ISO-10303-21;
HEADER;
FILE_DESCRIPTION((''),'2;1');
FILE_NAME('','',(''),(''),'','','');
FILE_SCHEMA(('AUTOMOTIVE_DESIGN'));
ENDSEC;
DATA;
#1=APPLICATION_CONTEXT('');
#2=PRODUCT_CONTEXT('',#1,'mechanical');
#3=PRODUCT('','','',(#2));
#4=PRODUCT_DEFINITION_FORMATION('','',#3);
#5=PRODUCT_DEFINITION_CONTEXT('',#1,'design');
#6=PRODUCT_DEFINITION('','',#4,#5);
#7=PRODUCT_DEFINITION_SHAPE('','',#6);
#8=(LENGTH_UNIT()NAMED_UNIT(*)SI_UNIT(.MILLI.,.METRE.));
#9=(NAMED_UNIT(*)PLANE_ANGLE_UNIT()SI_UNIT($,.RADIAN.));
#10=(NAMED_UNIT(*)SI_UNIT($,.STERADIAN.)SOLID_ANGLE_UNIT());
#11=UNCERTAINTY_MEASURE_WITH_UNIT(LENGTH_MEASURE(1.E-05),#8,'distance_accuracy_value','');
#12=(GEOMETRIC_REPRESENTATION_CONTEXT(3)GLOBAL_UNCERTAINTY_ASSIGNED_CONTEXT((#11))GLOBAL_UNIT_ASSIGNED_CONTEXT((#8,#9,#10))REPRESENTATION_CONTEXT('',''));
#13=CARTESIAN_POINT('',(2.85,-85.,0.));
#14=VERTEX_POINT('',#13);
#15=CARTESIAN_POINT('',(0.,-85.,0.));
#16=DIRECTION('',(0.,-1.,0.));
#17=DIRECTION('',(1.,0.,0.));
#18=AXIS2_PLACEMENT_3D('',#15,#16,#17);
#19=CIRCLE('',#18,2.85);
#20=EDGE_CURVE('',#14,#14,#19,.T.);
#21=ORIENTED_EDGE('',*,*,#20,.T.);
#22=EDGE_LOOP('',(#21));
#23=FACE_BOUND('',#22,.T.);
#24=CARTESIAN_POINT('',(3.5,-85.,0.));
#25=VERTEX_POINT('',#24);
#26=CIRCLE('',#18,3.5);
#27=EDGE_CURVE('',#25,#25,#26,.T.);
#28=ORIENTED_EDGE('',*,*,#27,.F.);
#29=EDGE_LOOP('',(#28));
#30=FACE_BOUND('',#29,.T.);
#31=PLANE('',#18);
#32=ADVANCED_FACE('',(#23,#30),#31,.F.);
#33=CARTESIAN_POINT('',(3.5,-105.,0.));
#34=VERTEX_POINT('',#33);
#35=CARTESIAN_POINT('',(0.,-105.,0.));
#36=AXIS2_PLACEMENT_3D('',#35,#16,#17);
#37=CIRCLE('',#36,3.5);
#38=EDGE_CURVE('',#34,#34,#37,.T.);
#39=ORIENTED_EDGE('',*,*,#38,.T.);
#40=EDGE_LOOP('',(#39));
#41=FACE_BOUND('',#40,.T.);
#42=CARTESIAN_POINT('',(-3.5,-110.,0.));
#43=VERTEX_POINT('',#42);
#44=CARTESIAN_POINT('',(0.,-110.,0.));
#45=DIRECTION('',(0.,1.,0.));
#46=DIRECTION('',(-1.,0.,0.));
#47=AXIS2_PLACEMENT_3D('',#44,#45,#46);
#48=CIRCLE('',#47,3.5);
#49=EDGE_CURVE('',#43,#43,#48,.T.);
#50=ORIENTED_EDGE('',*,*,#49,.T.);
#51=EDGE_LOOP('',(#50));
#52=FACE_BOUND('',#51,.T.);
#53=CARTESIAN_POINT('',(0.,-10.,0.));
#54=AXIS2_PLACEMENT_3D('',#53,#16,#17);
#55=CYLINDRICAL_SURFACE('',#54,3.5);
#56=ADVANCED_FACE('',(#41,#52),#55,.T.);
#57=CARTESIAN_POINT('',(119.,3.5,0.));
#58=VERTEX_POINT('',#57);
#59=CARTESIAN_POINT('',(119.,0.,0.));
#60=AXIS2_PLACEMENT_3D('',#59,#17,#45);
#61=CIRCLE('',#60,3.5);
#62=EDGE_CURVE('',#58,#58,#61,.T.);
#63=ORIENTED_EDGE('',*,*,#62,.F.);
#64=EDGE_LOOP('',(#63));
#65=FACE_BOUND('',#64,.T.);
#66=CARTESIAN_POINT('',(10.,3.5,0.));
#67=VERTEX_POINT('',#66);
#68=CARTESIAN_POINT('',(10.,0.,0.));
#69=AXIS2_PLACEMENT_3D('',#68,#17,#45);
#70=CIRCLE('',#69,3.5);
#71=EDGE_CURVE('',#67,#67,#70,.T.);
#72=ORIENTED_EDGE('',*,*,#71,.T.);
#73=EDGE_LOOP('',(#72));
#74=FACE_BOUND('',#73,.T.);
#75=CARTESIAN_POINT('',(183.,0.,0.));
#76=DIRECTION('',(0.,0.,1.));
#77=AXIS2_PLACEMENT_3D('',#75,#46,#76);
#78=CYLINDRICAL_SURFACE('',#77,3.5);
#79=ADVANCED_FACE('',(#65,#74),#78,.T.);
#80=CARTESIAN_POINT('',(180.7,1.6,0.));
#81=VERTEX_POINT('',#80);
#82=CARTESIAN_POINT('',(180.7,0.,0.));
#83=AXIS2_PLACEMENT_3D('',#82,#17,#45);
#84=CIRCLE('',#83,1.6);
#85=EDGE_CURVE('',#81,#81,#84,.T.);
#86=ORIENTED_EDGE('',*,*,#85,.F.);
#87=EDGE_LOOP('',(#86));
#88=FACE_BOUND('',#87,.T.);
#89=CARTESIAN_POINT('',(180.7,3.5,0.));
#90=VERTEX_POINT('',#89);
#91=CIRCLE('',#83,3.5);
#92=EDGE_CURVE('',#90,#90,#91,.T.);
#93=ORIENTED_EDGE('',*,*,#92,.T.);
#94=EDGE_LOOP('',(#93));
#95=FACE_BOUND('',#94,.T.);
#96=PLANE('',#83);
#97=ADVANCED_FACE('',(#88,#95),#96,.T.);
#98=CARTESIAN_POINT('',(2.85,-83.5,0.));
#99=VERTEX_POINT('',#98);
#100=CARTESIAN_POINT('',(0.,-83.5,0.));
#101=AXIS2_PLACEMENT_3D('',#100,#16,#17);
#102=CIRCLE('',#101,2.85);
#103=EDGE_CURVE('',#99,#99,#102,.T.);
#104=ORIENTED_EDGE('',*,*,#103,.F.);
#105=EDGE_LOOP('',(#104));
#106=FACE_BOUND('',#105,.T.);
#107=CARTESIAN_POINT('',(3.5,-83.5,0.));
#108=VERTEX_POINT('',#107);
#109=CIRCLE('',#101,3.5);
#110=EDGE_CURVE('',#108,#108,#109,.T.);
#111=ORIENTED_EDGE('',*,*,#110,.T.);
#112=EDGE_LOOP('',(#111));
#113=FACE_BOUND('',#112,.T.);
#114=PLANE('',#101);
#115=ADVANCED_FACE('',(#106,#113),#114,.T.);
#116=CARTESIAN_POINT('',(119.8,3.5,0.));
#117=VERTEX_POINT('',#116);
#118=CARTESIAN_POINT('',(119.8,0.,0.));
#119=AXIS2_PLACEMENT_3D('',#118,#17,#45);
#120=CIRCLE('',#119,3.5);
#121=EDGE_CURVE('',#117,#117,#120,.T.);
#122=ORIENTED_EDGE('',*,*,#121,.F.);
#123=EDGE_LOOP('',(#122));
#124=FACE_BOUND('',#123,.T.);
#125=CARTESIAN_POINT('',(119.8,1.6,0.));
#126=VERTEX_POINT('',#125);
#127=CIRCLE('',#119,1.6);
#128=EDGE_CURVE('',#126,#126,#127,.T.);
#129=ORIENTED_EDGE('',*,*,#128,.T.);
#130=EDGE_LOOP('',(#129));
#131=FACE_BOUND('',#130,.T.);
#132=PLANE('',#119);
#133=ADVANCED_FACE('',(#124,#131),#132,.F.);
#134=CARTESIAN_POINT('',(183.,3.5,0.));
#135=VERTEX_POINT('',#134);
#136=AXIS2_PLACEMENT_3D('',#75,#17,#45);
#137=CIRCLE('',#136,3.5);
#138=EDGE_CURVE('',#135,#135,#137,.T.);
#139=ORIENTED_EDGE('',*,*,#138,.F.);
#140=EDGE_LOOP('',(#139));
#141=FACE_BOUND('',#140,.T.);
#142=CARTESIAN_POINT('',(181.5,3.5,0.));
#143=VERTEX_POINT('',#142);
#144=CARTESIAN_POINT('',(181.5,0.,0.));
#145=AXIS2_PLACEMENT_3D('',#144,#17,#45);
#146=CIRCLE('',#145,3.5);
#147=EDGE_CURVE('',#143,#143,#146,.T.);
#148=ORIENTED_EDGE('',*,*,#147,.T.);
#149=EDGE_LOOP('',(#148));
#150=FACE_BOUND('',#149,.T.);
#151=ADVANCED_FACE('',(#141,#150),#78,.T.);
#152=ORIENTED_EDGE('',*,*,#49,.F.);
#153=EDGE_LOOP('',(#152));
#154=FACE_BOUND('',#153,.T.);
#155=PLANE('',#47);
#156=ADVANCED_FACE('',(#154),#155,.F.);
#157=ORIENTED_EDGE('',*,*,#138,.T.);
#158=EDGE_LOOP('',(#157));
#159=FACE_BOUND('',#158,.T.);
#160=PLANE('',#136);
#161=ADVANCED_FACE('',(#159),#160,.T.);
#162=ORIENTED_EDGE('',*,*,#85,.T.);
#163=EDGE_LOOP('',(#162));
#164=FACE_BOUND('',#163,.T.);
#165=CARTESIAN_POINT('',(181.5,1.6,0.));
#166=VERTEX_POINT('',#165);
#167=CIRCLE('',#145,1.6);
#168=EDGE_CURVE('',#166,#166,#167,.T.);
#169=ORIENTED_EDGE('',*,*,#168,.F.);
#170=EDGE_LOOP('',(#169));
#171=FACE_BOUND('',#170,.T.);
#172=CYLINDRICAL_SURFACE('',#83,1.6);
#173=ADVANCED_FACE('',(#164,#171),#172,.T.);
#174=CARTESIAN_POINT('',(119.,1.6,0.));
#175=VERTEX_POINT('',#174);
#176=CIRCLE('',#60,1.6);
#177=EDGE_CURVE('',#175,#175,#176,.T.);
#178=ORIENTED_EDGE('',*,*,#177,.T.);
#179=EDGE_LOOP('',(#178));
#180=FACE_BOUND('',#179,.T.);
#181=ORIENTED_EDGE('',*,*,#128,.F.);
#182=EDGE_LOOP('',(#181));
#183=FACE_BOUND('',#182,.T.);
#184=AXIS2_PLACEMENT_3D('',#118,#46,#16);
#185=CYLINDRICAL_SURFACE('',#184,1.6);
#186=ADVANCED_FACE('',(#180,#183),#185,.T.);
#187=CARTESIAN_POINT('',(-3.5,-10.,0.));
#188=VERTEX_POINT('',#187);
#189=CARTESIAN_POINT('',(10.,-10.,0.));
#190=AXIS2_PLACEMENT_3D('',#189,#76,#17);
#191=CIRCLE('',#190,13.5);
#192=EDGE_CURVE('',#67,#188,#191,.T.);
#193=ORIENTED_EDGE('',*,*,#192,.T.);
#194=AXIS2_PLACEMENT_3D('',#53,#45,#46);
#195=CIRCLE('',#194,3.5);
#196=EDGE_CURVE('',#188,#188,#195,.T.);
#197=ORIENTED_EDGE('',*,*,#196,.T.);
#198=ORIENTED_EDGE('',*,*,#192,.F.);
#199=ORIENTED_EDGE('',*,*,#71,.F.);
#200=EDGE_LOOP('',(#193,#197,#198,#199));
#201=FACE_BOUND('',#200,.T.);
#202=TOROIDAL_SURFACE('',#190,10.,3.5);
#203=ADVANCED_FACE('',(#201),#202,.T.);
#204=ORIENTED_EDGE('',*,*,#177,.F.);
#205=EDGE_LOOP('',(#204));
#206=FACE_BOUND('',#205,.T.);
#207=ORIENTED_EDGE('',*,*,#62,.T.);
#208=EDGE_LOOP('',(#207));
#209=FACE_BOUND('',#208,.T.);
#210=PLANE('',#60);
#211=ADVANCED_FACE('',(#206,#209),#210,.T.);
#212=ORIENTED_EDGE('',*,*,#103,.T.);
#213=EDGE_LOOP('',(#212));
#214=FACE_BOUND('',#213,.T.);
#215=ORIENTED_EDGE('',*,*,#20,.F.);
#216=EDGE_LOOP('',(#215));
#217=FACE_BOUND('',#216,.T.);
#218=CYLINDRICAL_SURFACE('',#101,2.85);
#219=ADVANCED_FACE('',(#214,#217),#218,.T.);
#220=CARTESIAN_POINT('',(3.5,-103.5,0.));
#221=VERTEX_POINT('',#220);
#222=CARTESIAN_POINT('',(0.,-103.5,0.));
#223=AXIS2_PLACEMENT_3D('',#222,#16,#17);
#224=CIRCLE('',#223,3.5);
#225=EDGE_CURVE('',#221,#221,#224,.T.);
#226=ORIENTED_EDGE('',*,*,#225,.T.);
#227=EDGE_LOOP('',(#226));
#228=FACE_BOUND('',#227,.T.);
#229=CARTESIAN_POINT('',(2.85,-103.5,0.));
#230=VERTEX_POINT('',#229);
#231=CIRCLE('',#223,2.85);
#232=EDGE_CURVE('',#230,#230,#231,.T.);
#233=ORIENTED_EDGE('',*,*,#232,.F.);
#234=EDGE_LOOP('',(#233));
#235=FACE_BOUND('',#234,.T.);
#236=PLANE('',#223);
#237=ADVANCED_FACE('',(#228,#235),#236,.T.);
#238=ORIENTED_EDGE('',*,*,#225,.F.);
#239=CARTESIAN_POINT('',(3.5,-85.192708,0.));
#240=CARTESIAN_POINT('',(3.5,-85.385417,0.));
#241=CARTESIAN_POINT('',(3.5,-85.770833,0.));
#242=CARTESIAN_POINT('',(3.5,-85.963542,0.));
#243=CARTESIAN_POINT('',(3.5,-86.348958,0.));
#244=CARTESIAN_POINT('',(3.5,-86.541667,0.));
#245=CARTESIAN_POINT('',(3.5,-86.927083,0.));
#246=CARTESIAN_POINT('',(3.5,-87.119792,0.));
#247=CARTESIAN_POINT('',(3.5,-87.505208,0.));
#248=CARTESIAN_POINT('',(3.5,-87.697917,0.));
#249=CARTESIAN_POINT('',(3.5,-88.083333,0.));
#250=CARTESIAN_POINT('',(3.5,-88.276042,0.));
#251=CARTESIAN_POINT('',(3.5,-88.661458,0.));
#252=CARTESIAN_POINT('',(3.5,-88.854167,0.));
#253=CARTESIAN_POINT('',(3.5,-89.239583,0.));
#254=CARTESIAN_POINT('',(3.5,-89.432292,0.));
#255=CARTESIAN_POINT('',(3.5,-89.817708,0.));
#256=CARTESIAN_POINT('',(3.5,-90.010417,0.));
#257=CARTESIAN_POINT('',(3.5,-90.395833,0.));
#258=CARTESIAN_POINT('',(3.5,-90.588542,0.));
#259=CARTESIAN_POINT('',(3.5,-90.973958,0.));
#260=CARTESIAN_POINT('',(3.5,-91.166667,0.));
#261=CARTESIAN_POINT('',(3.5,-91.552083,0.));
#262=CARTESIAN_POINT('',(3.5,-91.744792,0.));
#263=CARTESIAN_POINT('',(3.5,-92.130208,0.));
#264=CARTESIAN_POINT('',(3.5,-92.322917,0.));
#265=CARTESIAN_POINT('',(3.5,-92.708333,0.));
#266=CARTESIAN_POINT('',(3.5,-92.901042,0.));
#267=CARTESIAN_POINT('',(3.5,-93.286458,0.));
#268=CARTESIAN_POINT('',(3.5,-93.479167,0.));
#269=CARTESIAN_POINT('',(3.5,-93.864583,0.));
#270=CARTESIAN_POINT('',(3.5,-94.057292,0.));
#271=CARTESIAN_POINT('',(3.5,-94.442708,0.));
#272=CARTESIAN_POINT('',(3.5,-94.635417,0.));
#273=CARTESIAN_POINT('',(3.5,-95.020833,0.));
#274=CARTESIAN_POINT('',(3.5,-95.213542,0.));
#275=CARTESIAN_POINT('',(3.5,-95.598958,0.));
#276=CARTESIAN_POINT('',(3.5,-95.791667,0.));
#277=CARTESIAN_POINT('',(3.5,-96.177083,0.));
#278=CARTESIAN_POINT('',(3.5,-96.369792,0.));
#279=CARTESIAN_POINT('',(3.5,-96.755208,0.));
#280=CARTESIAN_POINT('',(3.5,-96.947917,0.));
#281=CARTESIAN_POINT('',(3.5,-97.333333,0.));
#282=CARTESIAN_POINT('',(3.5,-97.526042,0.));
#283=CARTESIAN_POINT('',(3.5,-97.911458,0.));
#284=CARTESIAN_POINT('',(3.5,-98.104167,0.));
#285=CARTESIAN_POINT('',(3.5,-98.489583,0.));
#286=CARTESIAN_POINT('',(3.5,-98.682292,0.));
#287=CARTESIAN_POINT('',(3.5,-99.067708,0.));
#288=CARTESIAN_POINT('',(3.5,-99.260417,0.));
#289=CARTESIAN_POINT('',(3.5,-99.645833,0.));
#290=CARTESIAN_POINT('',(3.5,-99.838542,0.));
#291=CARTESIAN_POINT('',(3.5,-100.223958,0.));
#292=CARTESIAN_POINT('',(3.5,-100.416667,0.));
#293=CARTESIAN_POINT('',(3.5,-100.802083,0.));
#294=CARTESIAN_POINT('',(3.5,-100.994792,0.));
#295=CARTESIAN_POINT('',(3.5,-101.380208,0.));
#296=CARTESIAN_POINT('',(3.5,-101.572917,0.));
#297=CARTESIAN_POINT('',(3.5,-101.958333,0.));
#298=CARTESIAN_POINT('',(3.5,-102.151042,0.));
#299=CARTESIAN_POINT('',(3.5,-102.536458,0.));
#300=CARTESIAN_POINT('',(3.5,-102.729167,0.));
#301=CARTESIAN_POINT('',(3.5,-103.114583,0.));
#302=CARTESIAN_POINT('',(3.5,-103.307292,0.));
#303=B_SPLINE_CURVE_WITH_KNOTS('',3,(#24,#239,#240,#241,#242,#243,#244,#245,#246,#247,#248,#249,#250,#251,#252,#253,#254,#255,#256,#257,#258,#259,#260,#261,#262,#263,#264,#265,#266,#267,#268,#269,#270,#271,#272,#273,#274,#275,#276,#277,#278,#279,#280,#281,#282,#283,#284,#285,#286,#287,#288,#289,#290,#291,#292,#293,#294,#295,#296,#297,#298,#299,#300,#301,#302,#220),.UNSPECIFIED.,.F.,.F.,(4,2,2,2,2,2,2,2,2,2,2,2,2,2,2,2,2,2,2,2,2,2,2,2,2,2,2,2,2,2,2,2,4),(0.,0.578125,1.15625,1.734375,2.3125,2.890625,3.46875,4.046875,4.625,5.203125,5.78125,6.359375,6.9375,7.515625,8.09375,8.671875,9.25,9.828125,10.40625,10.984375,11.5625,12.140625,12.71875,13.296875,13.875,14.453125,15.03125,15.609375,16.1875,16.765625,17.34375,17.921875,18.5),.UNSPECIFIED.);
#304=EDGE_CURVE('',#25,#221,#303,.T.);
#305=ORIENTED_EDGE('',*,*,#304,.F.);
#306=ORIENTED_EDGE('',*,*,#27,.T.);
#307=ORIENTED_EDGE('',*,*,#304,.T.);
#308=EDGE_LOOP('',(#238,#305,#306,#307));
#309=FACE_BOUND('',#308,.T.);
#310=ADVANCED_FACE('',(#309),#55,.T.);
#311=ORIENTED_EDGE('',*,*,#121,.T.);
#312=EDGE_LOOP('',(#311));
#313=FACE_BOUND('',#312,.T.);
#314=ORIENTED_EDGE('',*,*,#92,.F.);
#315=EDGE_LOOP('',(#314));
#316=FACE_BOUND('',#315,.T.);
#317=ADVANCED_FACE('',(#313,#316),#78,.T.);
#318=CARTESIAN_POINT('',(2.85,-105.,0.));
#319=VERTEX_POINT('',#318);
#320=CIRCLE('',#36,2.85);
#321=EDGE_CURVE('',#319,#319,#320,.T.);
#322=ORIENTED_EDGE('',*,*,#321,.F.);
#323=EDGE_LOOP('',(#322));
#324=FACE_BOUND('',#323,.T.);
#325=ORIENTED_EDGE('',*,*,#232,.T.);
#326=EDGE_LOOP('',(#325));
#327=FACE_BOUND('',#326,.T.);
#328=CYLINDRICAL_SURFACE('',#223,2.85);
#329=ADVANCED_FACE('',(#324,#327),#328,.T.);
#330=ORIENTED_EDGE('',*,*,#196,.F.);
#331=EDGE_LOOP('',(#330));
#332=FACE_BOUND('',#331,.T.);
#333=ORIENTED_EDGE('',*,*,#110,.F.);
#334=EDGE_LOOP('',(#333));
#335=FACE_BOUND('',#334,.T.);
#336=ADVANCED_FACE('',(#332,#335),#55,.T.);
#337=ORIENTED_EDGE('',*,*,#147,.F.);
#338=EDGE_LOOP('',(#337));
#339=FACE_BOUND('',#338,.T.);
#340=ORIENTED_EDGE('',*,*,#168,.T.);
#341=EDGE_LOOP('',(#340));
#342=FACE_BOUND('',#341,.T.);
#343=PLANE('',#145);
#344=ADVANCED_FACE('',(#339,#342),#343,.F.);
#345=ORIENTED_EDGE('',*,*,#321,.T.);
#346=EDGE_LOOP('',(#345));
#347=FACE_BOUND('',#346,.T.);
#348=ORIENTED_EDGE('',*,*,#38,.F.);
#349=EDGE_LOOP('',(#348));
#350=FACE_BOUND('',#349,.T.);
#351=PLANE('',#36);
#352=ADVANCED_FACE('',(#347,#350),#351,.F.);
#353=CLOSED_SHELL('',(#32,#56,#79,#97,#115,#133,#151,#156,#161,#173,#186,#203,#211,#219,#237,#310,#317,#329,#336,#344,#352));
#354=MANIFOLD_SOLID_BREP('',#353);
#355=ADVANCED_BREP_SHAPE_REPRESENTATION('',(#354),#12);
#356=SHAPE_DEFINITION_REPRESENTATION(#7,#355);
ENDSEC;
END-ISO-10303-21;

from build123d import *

# Parameters (mm, degrees)
WYCI_GNI_CIE_PO_CIE_CE1_PROFILE_R = 3.5
SZKIC26_R                         = 4
SZKIC26_R_2                       = 2.85
WYTNIJ_WYCI_GNI_CIE1_DEPTH        = 1.5
SZKIC36_R                         = 4
SZKIC36_R_2                       = 2.85
WYTNIJ_WYCI_GNI_CIE3_DEPTH        = 1.5
SZKIC46_R                         = 4
SZKIC46_R_2                       = 1.6
WYTNIJ_WYCI_GNI_CIE4_DEPTH        = 0.8
WYTNIJ_WYCI_GNI_CIE5_START        = 0.8
SZKIC53_R                         = 4
SZKIC53_R_2                       = 1.6
WYTNIJ_WYCI_GNI_CIE5_DEPTH        = 0.8


with BuildPart() as part:
    # Wyciągnięcie po ścieżce1: sweep along a path in Szkic1
    with BuildLine(Plane.XY) as wyci_gni_cie_po_cie_ce1_path:
        Line((183, 0), (10, 0))
        ThreePointArc((10, 0), (2.928932188, -2.928932188), (0, -10))
        Line((0, -10), (0, -110))
    # Wyciągnięcie po ścieżce1 profile (on start of the path) → Wyciągnięcie po ścieżce1 (sweep)
    with BuildSketch(Plane(origin=(183, 0, 0), x_dir=(0, 0, -1), z_dir=(-1, 0, 0))):
        Circle(WYCI_GNI_CIE_PO_CIE_CE1_PROFILE_R)
    sweep(path=wyci_gni_cie_po_cie_ce1_path.line)

    # Szkic26 → Wytnij-wyciągnięcie1 (cut)
    with BuildSketch(Plane(origin=(0, -105, 0), x_dir=(-1, 0, 0), z_dir=(0, -1, 0))):
        Circle(SZKIC26_R)
        with Locations(Location((0, 0, 0), (0, 0, 180))):
            Circle(SZKIC26_R_2, mode=Mode.SUBTRACT)
    extrude(amount=-WYTNIJ_WYCI_GNI_CIE1_DEPTH, mode=Mode.SUBTRACT)

    # Szkic36 → Wytnij-wyciągnięcie3 (cut)
    with BuildSketch(Plane(origin=(0, -85, 0), x_dir=(-1, 0, 0), z_dir=(0, -1, 0))):
        Circle(SZKIC36_R)
        with Locations(Location((0, 0, 0), (0, 0, 180))):
            Circle(SZKIC36_R_2, mode=Mode.SUBTRACT)
    extrude(amount=-WYTNIJ_WYCI_GNI_CIE3_DEPTH, mode=Mode.SUBTRACT)

    # Szkic46 → Wytnij-wyciągnięcie4 (cut)
    with BuildSketch(Plane(origin=(181.5, 0, 0), x_dir=(0, 0, -1), z_dir=(1, 0, 0))):
        Circle(SZKIC46_R)
        with Locations(Location((0, 0, 0), (0, 0, 90))):
            Circle(SZKIC46_R_2, mode=Mode.SUBTRACT)
    extrude(amount=-WYTNIJ_WYCI_GNI_CIE4_DEPTH, mode=Mode.SUBTRACT)

    # Szkic53 → Wytnij-wyciągnięcie5 (cut)
    with BuildSketch(Plane(origin=(119, 0, 0), x_dir=(0, 0, -1), z_dir=(1, 0, 0)).offset(WYTNIJ_WYCI_GNI_CIE5_START)):
        Circle(SZKIC53_R)
        with Locations(Location((0, 0, 0), (0, 0, 90))):
            Circle(SZKIC53_R_2, mode=Mode.SUBTRACT)
    extrude(amount=-WYTNIJ_WYCI_GNI_CIE5_DEPTH, mode=Mode.SUBTRACT)


solid = part.part
